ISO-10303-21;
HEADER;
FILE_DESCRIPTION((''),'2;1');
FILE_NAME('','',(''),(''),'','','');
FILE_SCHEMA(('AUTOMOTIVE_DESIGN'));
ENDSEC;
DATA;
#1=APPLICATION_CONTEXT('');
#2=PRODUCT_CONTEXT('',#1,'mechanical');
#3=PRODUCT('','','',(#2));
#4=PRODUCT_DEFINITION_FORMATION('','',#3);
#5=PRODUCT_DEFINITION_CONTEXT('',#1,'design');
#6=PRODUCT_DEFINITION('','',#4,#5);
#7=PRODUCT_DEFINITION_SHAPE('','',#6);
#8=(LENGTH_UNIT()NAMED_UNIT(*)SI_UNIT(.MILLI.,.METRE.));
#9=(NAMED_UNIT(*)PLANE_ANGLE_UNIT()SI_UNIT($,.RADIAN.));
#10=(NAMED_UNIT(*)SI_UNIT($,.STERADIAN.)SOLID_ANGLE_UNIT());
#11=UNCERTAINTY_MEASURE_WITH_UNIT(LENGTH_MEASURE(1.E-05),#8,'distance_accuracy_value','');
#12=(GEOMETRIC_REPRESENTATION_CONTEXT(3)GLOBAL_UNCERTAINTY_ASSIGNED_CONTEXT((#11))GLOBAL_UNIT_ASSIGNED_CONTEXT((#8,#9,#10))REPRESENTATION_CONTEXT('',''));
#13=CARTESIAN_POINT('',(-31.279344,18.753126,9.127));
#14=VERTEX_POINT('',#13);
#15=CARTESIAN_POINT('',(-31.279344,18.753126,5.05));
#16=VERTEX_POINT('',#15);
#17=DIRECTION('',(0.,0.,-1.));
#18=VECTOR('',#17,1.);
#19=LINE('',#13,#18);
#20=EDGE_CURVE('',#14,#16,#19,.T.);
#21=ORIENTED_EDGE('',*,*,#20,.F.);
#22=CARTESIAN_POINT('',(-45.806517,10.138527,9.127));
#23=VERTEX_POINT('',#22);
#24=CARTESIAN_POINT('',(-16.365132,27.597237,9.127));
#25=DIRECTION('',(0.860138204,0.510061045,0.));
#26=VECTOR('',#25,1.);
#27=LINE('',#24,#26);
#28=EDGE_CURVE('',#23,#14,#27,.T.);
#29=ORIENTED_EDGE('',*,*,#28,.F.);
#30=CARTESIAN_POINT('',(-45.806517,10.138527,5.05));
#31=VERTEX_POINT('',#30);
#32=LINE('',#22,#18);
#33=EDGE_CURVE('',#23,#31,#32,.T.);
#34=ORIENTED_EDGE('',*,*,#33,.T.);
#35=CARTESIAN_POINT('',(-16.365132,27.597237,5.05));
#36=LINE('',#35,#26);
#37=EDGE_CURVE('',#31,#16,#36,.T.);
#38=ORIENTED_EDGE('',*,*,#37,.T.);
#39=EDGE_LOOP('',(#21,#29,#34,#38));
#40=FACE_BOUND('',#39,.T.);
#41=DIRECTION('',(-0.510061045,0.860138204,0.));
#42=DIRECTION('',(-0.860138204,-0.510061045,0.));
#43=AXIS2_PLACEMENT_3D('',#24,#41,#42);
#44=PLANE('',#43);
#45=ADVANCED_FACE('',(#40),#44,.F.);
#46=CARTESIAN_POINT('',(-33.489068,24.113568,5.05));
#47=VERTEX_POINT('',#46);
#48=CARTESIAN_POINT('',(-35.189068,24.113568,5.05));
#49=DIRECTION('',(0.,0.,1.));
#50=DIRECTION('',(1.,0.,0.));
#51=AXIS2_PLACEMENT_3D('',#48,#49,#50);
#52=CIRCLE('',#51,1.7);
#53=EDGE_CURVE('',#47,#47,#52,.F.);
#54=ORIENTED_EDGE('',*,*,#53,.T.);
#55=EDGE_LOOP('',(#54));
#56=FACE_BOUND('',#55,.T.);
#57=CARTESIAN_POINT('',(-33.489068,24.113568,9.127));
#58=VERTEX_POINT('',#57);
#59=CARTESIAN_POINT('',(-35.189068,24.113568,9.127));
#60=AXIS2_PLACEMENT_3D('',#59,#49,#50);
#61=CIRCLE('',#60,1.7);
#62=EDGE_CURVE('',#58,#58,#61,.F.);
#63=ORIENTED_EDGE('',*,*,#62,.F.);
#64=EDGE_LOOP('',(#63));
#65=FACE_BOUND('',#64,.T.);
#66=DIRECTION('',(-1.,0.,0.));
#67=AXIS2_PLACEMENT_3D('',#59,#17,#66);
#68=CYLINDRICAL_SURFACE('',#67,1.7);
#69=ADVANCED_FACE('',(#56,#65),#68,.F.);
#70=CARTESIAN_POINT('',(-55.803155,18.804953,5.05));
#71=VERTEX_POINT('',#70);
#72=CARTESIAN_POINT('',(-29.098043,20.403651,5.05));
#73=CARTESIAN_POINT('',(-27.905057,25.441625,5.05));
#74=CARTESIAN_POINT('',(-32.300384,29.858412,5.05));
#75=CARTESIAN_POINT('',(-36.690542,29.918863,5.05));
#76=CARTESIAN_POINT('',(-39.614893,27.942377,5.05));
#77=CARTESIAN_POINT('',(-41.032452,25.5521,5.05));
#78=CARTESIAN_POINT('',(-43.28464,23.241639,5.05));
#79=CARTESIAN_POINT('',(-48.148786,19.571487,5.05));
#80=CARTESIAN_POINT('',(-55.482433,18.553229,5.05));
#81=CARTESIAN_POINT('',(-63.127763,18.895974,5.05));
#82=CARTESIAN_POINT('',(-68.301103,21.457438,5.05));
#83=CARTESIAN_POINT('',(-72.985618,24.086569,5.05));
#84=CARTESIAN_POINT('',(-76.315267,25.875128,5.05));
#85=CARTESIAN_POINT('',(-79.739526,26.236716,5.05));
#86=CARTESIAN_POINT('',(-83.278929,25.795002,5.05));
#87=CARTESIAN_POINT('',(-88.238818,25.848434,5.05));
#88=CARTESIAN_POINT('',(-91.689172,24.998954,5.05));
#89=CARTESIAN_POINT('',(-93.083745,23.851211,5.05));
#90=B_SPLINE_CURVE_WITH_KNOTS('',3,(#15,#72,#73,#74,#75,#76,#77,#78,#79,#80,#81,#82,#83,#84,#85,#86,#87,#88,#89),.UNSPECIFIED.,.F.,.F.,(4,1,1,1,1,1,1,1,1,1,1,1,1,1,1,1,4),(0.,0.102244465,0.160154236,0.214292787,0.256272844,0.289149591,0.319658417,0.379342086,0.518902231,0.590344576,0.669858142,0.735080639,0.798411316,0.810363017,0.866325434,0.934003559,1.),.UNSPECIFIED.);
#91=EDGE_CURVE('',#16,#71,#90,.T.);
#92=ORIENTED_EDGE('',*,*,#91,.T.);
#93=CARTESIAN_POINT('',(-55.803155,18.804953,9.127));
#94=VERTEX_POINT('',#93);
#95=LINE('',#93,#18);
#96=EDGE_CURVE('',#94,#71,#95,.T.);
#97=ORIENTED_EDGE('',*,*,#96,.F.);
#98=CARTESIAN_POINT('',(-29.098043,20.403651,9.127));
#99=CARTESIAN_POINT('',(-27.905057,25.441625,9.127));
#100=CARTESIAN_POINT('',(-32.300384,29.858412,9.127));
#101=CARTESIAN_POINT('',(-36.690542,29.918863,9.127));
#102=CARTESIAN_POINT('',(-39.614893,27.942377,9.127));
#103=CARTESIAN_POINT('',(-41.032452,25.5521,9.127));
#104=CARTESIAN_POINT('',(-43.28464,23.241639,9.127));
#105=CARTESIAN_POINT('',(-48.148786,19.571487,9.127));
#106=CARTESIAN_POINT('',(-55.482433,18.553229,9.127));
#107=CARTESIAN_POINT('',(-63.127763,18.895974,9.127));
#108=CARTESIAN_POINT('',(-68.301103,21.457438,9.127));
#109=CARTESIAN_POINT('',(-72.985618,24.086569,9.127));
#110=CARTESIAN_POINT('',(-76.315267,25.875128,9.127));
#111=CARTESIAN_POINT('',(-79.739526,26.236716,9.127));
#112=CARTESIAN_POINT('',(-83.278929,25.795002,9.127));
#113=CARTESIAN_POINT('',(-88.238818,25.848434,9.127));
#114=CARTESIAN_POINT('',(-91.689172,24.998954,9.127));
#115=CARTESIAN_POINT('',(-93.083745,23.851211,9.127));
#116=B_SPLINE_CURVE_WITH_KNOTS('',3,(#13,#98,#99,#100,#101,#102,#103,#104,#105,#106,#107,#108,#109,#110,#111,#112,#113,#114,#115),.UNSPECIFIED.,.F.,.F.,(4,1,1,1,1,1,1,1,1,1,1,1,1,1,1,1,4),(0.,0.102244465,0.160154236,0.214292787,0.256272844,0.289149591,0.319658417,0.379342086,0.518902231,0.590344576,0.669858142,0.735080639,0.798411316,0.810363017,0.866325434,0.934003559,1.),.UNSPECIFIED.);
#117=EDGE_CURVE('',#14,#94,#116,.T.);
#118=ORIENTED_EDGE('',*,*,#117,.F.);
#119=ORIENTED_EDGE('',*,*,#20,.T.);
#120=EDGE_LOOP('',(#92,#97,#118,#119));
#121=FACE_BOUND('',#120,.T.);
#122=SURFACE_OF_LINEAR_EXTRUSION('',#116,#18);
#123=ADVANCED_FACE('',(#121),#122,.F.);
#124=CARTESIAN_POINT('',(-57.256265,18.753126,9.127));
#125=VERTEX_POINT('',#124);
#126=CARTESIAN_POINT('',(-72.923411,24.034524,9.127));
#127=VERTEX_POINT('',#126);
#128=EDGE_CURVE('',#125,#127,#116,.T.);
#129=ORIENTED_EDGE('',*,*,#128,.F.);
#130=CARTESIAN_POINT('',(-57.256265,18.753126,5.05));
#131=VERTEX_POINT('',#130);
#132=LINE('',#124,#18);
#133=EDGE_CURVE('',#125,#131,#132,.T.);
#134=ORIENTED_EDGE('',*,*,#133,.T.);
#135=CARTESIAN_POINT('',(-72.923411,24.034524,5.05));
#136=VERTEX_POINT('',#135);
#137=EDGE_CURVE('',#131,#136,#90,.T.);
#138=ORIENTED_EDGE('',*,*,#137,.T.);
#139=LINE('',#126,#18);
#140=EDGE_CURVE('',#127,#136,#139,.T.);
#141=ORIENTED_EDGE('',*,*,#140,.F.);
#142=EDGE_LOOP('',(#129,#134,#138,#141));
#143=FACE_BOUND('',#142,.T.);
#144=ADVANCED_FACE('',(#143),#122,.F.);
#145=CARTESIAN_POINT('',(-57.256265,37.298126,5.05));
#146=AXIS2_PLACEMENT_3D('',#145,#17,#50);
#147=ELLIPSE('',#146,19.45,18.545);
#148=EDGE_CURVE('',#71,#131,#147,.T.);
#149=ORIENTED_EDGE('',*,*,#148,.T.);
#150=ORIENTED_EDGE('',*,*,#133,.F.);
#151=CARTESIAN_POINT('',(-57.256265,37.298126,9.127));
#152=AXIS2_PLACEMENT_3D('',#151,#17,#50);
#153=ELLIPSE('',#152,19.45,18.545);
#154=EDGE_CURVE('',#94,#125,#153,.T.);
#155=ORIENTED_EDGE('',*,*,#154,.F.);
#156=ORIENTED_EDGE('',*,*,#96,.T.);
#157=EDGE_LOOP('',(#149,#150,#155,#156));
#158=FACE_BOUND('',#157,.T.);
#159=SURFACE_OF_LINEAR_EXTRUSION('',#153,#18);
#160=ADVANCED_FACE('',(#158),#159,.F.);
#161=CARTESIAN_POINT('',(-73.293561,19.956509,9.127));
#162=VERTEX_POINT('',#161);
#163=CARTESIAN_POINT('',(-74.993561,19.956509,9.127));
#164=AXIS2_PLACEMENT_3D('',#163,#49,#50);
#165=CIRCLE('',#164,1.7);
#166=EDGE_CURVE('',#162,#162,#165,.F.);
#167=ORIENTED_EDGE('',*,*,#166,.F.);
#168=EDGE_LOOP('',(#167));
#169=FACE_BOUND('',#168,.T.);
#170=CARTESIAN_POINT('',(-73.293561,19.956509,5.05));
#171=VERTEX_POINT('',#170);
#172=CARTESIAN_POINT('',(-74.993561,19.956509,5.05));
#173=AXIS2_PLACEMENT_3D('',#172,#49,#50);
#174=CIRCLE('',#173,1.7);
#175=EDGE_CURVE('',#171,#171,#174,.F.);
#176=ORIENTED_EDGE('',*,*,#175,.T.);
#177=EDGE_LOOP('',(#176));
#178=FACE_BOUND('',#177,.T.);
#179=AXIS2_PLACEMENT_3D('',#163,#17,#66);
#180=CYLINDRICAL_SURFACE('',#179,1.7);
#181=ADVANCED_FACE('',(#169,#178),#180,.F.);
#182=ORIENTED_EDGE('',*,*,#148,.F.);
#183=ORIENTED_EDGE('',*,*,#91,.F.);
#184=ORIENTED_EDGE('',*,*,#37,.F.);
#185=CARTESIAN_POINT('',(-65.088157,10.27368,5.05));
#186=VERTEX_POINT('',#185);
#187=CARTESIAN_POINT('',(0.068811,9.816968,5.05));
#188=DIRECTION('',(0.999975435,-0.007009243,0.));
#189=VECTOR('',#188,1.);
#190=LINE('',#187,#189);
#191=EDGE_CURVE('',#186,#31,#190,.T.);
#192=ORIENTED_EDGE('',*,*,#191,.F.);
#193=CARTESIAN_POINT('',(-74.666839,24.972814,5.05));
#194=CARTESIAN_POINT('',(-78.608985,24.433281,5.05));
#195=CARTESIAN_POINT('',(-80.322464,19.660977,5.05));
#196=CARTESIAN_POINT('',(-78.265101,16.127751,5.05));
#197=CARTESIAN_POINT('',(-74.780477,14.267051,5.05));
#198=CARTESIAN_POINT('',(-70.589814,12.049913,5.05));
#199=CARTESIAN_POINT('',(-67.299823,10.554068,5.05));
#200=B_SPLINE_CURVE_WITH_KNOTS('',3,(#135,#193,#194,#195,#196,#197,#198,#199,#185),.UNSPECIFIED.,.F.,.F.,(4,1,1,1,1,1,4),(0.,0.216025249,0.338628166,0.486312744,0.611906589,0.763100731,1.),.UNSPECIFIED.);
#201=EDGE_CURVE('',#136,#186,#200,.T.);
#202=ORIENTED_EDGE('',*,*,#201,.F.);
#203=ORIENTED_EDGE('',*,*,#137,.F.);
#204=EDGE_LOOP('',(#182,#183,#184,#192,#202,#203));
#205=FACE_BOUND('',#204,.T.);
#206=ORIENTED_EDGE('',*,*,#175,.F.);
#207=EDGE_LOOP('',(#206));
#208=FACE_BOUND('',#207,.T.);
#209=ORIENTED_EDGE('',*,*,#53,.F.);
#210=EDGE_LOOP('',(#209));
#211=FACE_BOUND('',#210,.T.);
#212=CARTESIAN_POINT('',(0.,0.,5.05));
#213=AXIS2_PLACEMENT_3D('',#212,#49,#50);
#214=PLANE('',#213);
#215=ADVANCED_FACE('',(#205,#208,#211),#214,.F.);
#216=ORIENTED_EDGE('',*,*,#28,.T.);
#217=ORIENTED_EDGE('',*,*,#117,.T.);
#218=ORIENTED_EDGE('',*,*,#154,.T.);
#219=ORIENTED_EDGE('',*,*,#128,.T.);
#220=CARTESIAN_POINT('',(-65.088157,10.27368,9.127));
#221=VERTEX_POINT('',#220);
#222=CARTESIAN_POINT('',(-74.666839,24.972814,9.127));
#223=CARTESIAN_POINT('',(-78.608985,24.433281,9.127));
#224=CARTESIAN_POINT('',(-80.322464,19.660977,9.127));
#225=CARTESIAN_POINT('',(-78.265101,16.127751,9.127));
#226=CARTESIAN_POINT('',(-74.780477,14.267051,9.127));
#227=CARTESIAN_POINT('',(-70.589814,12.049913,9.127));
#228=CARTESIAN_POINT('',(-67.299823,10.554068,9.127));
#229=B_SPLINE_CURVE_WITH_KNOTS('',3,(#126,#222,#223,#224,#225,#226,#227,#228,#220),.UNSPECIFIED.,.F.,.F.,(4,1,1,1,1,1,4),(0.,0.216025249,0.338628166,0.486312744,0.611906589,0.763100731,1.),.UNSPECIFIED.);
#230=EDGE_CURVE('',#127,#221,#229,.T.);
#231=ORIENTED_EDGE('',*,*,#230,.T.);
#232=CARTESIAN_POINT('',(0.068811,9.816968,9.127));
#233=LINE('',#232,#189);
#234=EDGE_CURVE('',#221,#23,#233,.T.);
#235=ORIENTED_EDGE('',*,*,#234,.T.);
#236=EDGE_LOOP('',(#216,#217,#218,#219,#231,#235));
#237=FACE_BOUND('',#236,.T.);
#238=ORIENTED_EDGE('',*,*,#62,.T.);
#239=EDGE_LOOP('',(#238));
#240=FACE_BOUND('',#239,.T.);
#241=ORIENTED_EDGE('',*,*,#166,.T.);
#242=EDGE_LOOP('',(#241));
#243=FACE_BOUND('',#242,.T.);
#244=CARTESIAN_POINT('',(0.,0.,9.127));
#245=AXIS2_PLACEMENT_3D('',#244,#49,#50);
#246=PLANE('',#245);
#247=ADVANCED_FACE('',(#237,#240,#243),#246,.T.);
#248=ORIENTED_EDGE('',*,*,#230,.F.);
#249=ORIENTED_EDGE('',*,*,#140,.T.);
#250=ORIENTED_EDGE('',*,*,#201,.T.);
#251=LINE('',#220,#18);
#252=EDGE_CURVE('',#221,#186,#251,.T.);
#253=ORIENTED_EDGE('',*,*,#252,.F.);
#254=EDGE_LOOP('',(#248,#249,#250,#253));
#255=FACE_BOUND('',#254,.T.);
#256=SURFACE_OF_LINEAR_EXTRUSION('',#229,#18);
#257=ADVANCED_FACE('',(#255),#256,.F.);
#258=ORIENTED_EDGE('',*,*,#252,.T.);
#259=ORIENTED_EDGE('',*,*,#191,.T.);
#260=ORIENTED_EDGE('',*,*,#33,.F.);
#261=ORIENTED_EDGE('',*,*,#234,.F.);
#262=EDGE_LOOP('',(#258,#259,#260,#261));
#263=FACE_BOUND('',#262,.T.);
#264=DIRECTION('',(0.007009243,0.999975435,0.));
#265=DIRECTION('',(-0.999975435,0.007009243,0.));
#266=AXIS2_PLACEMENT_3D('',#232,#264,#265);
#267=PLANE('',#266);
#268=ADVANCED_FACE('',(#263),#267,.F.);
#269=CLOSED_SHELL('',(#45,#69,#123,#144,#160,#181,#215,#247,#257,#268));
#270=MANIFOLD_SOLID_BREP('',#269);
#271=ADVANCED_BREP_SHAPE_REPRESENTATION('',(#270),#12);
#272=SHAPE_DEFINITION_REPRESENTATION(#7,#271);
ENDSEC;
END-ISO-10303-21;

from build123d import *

# Parameters (mm, degrees)
SCHIZZO1_R                   = 1.7
ESTRUSIONE_ESTRUSIONE1_DEPTH = 4.077


with BuildPart() as part:
    # Schizzo1 → Estrusione-Estrusione1 (new body)
    with BuildSketch(Plane.XY.offset(5.05)):
        with BuildLine():
            Line((-65.088157236, 10.27368012), (-45.806517375, 10.138527109))
            Line((-45.806517375, 10.138527109), (-31.279343931, 18.753125585))
            add(Edge.make_bspline(
                [(-31.279343931, 18.753125585), (-29.098043345, 20.403651058), (-27.905057256, 25.441624833), (-32.300384053, 29.85841163), (-36.690541673, 29.918863446), (-39.614892883, 27.942376602), (-41.03245157, 25.552100431), (-43.284640457, 23.241638673), (-47.763557065, 19.862154048), (-52.57074608, 18.979169365), (-55.803154975, 18.8049533)],
                knots=[0, 0, 0, 0, 0.102244465, 0.160154236, 0.214292787, 0.256272844, 0.289149591, 0.319658417, 0.379342086, 0.500706378, 0.500706378, 0.500706378, 0.500706378], degree=3))
            add(Edge.make_bspline(
                [(-57.25626525, 18.753125585), (-56.52869344, 18.753125585), (-55.803154975, 18.8049533)],
                knots=[4.71238898, 4.71238898, 4.71238898, 4.787168695, 4.787168695, 4.787168695], degree=2, weights=[1, 0.999301081, 1]))
            add(Edge.make_bspline(
                [(-57.25626525, 18.753125585), (-59.155150134, 18.717879159), (-63.127762505, 18.895973961), (-68.251383716, 21.432820435), (-71.466164586, 23.233839924), (-72.923411034, 24.034523908)],
                knots=[0.518902231, 0.518902231, 0.518902231, 0.518902231, 0.590344576, 0.669858142, 0.733003007, 0.733003007, 0.733003007, 0.733003007], degree=3))
            add(Edge.make_bspline(
                [(-72.923411034, 24.034523908), (-74.666838591, 24.972814401), (-78.608984565, 24.433280608), (-80.322463607, 19.660976663), (-78.265100941, 16.127751093), (-74.780476619, 14.267051221), (-70.589814259, 12.049912577), (-67.299822618, 10.554068254), (-65.088157236, 10.27368012)],
                knots=[0, 0, 0, 0, 0.216025249, 0.338628166, 0.486312744, 0.611906589, 0.763100731, 1, 1, 1, 1], degree=3))
        make_face()
        with Locations((-74.993560801, 19.956508848)):
            Circle(SCHIZZO1_R, mode=Mode.SUBTRACT)
        with Locations((-35.18906777, 24.113568479)):
            Circle(SCHIZZO1_R, mode=Mode.SUBTRACT)
    extrude(amount=ESTRUSIONE_ESTRUSIONE1_DEPTH)


solid = part.part
